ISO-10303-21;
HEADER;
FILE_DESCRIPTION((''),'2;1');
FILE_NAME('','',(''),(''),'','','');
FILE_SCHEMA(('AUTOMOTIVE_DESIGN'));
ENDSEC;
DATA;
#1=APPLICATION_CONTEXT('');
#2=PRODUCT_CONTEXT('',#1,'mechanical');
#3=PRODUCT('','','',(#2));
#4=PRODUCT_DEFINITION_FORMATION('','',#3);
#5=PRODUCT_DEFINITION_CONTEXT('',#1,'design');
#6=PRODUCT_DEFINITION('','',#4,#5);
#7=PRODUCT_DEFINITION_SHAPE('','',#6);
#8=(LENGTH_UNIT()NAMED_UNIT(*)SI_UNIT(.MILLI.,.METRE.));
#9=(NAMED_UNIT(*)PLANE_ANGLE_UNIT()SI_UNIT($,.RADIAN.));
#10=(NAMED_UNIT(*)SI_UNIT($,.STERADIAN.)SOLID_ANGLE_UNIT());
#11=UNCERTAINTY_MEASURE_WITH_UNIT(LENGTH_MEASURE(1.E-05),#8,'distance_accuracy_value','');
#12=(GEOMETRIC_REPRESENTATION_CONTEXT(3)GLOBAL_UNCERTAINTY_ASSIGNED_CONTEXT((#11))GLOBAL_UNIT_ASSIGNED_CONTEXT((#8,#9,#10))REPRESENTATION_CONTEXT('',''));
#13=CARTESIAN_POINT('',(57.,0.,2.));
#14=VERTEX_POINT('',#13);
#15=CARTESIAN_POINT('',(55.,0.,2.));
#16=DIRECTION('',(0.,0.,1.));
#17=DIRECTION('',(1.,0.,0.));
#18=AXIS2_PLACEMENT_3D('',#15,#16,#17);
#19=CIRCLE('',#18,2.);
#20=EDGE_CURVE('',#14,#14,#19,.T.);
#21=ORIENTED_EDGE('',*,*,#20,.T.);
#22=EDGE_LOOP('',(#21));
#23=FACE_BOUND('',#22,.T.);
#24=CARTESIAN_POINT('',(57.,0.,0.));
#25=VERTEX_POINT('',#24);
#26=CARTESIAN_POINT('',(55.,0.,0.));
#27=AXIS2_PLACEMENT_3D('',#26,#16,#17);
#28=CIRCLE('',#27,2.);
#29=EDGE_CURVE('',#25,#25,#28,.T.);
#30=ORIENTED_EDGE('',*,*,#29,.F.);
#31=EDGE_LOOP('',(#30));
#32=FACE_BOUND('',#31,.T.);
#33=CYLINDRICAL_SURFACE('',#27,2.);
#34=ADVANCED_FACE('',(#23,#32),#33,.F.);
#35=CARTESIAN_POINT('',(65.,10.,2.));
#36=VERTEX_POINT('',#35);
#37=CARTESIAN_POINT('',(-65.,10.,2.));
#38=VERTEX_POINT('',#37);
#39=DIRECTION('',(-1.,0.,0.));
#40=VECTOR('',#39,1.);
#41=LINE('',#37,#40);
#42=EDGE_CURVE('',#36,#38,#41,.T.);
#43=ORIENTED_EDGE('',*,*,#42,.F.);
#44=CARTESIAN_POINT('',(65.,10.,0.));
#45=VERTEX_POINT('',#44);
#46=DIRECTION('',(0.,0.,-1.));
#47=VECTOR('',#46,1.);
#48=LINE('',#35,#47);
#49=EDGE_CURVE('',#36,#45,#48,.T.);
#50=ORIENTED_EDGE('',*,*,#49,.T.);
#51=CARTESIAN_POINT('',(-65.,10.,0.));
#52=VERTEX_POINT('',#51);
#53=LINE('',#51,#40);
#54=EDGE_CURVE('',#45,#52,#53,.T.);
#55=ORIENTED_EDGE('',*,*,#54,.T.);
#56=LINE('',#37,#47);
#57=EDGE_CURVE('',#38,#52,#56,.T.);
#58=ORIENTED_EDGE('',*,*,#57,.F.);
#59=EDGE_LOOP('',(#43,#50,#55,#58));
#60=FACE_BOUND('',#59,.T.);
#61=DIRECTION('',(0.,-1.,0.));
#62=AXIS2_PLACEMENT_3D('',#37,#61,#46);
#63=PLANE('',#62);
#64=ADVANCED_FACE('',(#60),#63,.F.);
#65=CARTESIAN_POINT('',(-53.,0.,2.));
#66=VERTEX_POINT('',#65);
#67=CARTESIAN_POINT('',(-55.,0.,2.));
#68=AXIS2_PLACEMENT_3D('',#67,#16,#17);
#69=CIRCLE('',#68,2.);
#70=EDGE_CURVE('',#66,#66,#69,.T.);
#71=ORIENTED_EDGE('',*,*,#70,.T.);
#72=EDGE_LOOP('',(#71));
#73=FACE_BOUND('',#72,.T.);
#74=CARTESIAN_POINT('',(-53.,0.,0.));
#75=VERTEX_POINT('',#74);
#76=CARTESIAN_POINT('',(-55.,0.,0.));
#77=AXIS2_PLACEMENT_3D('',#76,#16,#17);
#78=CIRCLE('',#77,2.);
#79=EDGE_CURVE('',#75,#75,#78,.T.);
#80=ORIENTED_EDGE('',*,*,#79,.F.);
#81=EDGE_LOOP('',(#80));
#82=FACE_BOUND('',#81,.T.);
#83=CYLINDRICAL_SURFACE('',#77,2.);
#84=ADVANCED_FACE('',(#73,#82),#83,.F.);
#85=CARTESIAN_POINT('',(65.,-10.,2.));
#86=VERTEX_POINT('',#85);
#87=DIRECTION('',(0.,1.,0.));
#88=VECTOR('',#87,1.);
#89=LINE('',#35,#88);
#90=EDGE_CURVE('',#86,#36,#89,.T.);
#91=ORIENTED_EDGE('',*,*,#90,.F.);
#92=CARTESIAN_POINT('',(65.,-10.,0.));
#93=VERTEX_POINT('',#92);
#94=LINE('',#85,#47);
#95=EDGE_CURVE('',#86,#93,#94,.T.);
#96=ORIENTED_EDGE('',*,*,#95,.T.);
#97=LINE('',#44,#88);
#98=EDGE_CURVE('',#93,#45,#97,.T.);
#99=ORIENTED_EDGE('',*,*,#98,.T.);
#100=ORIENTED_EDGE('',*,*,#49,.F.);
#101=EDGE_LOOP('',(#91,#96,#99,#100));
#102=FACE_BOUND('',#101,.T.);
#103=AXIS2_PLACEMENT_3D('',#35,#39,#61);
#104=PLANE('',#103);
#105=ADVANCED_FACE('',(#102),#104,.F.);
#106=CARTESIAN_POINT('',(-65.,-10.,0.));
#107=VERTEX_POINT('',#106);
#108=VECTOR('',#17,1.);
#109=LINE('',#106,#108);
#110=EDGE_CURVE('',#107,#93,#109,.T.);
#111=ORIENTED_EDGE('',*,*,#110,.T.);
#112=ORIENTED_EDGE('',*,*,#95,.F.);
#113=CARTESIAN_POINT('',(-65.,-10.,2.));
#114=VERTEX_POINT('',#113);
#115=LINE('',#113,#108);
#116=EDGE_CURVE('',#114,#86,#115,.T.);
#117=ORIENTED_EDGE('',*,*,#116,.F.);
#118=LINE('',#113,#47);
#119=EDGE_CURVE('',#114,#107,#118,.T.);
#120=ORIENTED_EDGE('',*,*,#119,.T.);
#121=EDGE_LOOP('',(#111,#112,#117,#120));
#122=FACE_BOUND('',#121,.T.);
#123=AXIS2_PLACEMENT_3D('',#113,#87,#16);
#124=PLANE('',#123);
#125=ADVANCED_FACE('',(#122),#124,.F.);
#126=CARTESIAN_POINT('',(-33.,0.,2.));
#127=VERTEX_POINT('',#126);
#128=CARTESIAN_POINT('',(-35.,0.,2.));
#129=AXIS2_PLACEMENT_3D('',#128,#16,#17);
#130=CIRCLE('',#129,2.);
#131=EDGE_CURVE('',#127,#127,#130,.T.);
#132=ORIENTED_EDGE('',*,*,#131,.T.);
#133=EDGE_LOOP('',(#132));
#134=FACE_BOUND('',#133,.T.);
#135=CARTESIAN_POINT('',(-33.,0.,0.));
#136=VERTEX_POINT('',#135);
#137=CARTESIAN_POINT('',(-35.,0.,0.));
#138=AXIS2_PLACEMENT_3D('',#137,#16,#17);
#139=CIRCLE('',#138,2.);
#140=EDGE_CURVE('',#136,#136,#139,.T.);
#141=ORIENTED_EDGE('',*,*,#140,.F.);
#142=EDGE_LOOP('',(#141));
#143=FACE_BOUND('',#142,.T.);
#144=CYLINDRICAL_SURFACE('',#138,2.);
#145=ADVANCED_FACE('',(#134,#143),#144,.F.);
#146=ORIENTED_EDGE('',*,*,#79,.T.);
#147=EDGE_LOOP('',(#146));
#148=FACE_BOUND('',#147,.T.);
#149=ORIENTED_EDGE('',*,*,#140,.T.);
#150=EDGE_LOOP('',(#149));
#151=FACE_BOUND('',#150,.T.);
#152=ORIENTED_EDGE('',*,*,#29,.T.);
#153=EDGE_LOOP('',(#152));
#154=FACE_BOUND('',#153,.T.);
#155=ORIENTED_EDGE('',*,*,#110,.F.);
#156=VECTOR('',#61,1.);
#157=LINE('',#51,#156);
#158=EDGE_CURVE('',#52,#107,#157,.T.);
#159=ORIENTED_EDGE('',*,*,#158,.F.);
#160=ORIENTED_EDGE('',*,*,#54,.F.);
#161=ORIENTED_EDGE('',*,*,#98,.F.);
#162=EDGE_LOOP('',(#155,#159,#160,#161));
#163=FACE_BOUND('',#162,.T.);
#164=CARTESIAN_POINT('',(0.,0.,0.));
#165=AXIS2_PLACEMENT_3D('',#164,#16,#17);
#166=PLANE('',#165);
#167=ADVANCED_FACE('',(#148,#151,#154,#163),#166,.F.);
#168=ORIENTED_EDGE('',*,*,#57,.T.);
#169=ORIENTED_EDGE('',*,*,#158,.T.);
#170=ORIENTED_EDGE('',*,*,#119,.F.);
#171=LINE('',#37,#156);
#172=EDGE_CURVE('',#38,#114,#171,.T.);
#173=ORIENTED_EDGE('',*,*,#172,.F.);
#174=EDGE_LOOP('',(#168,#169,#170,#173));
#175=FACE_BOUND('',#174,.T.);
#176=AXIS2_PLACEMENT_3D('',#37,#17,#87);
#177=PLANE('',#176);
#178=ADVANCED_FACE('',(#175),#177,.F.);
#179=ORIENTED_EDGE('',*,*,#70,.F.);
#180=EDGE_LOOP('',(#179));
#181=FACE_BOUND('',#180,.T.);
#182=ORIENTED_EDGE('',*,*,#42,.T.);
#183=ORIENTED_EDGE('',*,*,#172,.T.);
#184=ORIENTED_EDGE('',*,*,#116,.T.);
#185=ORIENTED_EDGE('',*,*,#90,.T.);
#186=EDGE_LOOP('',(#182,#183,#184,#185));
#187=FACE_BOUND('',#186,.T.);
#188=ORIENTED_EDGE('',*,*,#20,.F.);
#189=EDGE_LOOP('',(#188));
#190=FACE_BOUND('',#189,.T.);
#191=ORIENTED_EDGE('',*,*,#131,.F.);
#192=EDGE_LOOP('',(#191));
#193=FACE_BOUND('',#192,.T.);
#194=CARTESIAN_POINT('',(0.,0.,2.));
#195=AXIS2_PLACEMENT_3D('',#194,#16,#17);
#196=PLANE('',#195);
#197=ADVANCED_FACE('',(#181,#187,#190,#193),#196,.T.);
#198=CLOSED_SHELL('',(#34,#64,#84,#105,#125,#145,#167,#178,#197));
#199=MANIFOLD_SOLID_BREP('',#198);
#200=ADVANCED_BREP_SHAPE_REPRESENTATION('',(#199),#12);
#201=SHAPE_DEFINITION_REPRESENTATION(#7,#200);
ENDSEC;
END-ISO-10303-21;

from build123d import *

# Parameters (mm, degrees)
SKETCH1_W           = 130
SKETCH1_H           = 20
BOSS_EXTRUDE1_DEPTH = 2
SKETCH2_R           = 2
CUT_EXTRUDE1_DEPTH  = 2
SKETCH3_R           = 2
CUT_EXTRUDE2_DEPTH  = 2


with BuildPart() as part:
    # Sketch1 → Boss-Extrude1 (new body)
    with BuildSketch(Plane.XY):
        Rectangle(SKETCH1_W, SKETCH1_H)
    extrude(amount=BOSS_EXTRUDE1_DEPTH)

    # Sketch2 → Cut-Extrude1 (cut)
    with BuildSketch(Plane.XY.offset(2)):
        with Locations((-55, 0)):
            Circle(SKETCH2_R)
        with Locations((55, 0)):
            Circle(SKETCH2_R)
    extrude(amount=-CUT_EXTRUDE1_DEPTH, mode=Mode.SUBTRACT)

    # Sketch3 → Cut-Extrude2 (cut)
    with BuildSketch(Plane.XY.offset(2)):
        with Locations((-35, 0)):
            Circle(SKETCH3_R)
    extrude(amount=-CUT_EXTRUDE2_DEPTH, mode=Mode.SUBTRACT)


solid = part.part
